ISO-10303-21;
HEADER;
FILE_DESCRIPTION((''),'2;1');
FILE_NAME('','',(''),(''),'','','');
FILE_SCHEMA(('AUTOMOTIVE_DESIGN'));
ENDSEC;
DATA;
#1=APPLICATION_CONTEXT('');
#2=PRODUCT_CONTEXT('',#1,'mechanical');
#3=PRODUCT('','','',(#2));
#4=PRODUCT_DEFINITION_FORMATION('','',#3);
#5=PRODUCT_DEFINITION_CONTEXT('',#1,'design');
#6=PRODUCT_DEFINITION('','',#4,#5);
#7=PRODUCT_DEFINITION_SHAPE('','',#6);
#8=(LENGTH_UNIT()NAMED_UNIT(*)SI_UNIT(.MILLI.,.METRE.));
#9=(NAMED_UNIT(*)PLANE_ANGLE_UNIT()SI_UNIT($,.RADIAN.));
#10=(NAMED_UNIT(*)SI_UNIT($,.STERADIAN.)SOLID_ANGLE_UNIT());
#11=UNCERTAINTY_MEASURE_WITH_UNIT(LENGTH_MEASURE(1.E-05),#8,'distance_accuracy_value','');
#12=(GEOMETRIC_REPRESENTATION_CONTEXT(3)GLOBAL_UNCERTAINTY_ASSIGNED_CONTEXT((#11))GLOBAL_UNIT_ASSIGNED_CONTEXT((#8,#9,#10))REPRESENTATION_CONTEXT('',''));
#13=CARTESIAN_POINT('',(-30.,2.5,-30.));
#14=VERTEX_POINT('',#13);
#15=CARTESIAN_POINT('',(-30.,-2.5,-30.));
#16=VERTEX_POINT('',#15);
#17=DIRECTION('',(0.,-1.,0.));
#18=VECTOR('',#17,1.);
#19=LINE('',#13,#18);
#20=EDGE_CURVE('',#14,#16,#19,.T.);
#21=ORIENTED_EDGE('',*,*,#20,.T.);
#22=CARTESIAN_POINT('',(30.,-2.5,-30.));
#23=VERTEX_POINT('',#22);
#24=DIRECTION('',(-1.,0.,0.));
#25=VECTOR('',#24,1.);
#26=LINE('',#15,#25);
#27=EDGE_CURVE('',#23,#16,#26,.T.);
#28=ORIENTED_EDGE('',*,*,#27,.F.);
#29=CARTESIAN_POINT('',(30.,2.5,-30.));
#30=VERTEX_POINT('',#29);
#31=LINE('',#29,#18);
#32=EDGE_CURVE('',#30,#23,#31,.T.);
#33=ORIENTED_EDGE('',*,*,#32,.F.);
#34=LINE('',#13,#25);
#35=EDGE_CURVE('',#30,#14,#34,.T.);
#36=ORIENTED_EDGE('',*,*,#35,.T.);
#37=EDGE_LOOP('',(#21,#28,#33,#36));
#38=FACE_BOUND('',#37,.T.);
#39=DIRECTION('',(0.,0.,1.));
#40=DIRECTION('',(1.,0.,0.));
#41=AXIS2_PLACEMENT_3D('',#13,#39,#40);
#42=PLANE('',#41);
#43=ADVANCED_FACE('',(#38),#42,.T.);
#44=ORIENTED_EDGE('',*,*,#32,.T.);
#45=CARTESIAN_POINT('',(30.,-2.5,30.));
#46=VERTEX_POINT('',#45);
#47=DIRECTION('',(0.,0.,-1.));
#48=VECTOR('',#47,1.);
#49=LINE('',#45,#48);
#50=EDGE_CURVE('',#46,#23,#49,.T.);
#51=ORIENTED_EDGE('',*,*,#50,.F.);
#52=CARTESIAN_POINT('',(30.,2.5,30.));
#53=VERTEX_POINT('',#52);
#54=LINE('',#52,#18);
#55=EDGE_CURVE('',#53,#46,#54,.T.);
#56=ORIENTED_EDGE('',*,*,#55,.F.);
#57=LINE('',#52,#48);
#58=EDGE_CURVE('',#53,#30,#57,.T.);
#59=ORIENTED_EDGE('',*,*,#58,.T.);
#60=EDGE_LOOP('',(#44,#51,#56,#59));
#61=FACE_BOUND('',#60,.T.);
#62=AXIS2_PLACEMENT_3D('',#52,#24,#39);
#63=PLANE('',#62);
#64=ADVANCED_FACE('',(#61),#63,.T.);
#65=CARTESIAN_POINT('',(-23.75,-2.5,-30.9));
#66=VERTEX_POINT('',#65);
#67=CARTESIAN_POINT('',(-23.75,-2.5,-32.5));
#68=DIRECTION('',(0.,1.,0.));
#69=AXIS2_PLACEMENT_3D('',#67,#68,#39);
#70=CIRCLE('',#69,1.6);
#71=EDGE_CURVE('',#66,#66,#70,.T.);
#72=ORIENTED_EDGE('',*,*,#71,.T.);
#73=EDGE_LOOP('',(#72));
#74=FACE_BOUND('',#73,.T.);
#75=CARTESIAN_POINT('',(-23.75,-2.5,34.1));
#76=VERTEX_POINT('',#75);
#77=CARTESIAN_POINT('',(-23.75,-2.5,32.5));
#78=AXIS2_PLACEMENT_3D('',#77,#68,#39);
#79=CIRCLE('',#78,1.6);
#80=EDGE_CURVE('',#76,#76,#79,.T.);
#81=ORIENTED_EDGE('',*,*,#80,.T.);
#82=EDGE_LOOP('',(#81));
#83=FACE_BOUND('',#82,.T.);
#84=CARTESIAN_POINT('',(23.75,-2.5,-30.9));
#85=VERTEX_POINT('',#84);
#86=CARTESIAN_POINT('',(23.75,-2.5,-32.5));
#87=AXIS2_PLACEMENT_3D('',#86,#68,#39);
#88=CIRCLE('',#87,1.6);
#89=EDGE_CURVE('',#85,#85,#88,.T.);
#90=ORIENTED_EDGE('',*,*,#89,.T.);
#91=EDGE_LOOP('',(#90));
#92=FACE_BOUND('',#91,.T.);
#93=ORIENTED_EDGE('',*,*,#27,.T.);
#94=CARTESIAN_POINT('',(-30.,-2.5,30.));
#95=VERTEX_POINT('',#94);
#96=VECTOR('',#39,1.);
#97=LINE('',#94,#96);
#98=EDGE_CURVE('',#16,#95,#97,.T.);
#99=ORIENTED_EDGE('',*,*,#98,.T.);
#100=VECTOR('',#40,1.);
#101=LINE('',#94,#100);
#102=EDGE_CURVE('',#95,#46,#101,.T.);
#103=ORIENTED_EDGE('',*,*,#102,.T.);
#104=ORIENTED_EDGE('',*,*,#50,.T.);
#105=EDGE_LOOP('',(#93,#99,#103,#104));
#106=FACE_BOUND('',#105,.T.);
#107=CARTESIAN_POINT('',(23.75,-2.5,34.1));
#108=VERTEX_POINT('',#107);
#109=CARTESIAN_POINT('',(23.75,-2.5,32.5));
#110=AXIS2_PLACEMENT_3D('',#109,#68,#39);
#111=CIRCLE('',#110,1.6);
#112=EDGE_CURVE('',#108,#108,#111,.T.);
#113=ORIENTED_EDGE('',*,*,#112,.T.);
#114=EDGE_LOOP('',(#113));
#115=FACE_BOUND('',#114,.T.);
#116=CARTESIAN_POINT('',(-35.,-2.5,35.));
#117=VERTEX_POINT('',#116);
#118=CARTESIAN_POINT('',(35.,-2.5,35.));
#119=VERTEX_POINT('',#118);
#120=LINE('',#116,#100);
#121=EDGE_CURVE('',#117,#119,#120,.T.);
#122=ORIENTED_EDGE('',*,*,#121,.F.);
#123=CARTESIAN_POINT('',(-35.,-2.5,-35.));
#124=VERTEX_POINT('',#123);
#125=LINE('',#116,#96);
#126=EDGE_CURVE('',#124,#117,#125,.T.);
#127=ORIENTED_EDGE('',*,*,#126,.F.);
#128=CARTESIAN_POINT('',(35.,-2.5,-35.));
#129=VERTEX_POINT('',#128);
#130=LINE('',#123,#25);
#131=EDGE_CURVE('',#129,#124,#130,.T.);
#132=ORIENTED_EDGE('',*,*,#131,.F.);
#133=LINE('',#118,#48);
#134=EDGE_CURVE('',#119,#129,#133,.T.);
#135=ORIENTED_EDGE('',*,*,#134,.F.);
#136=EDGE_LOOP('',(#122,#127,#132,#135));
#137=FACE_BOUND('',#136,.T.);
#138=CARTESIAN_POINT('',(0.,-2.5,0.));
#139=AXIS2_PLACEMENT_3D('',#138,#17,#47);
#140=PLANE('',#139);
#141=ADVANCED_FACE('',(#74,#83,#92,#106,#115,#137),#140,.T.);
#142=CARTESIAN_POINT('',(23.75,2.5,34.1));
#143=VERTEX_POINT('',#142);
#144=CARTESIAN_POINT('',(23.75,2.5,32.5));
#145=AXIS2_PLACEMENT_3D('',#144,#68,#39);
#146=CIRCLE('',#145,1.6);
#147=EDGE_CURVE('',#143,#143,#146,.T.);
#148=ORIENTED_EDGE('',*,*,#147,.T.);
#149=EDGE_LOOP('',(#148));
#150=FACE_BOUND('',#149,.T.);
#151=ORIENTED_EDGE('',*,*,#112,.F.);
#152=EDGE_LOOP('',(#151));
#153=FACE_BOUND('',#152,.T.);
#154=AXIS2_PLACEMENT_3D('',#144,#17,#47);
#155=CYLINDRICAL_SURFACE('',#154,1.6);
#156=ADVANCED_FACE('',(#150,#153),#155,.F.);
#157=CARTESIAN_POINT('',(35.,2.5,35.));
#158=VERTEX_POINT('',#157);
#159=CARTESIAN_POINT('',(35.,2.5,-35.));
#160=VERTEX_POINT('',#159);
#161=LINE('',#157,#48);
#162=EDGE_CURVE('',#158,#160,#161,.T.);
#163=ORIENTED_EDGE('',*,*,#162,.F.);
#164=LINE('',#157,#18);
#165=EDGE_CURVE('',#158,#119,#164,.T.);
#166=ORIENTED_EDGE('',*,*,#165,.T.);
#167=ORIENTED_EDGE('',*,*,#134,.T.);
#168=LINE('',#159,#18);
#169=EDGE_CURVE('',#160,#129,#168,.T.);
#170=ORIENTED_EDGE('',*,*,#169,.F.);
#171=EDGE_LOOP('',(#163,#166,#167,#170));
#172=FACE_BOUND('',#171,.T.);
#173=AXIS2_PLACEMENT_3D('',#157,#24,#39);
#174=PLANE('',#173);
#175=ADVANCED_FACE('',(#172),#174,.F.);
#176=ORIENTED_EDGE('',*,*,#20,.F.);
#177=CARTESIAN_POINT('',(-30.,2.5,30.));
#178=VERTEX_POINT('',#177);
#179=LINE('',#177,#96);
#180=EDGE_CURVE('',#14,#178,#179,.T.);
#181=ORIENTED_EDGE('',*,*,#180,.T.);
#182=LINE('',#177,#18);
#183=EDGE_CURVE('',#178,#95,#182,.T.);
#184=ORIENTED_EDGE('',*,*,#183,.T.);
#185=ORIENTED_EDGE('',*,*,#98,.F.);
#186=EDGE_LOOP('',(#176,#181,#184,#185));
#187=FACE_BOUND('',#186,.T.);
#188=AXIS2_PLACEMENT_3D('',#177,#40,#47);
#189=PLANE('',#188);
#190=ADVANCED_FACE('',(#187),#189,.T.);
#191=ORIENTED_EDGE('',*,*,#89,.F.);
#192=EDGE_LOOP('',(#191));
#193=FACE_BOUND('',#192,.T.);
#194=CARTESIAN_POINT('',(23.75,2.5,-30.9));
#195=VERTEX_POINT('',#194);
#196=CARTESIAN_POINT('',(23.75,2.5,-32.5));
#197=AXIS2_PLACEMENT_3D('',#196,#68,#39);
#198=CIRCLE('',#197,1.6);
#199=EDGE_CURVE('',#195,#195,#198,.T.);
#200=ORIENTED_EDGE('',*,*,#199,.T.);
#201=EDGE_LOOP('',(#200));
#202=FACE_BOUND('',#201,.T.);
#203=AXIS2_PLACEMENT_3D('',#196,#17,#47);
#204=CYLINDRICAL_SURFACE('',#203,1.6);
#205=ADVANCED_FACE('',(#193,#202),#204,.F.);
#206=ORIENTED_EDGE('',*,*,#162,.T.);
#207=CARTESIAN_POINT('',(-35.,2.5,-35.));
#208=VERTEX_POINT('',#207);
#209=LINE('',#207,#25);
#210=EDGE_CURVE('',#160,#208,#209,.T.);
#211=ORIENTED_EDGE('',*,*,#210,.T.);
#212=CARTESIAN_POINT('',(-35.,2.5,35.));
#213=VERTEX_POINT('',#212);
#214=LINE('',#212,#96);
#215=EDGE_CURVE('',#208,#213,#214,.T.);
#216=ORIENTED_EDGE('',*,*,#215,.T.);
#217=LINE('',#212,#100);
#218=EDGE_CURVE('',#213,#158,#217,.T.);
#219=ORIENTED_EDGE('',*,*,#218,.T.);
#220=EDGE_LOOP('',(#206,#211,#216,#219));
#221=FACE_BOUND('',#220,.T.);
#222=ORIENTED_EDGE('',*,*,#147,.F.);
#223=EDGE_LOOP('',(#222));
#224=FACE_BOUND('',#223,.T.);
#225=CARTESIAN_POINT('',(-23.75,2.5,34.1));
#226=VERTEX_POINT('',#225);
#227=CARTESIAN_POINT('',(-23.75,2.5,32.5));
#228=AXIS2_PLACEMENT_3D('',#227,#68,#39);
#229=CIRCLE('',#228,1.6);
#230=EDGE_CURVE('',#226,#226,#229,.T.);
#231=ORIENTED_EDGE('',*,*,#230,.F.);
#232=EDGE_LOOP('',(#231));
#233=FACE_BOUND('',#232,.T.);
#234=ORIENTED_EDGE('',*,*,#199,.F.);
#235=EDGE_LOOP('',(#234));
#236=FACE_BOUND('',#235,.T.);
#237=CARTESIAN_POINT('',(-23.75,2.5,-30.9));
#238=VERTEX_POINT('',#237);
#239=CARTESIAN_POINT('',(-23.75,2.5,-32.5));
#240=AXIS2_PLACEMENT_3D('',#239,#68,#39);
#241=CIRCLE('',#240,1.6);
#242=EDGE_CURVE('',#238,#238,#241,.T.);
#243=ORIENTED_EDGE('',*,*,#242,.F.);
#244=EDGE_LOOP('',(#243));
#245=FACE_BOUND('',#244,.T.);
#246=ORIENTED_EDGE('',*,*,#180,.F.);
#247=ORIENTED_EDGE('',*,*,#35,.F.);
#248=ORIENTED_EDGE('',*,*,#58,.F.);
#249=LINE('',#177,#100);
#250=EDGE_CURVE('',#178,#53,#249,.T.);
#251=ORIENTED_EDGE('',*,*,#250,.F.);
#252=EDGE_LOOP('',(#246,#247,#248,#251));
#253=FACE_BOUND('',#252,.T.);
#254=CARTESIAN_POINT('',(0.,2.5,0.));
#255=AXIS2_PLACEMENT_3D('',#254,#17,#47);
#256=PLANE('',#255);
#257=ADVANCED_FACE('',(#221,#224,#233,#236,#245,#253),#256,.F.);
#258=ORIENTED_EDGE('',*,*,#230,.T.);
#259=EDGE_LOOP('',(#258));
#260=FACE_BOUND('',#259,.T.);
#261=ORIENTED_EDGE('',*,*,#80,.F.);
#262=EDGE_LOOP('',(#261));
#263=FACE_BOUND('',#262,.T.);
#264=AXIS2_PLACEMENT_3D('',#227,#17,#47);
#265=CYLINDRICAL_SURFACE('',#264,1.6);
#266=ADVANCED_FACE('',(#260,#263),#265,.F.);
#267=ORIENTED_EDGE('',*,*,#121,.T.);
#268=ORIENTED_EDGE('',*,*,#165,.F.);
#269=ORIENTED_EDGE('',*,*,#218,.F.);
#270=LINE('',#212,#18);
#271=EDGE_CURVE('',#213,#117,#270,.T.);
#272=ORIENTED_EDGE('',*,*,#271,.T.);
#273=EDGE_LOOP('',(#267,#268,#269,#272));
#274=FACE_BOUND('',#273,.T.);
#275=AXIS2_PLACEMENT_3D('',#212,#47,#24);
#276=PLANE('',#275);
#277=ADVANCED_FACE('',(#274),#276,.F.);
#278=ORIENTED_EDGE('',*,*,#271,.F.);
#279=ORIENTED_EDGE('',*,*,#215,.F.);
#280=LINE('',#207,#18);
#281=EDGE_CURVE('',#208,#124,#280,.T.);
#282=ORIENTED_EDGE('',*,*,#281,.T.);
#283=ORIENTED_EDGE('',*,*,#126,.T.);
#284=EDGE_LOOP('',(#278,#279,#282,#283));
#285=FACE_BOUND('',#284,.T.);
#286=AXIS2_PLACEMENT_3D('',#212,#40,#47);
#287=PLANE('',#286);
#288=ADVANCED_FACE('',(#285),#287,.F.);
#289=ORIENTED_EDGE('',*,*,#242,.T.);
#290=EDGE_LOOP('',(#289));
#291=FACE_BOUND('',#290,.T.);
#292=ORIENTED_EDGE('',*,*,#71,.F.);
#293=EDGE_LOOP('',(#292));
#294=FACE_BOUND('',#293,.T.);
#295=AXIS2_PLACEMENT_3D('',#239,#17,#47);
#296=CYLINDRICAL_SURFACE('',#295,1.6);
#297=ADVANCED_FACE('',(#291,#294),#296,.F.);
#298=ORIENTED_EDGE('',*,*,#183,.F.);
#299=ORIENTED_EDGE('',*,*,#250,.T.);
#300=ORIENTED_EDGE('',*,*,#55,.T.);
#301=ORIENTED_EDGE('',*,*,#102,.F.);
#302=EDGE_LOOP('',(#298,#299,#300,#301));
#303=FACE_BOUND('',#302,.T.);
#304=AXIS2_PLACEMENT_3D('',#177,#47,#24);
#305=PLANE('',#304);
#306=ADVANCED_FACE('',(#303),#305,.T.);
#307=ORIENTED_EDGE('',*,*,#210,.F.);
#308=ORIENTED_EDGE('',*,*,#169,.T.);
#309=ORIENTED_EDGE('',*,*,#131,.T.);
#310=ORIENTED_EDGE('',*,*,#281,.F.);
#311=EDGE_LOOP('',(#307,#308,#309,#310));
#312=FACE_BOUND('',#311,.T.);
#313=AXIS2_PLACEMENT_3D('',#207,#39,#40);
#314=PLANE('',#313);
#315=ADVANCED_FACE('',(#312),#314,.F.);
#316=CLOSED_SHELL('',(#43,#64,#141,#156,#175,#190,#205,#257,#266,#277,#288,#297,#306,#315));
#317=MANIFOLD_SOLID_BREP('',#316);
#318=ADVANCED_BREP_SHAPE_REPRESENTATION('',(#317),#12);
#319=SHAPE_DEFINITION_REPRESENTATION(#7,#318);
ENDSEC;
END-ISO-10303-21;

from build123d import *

# Parameters (mm, degrees)
SKETCH1_W           = 70
SKETCH1_H           = 70
SKETCH1_R           = 1.6
SKETCH1_W_2         = 60
SKETCH1_H_2         = 60
BOSS_EXTRUDE1_DEPTH = 2.5


with BuildPart() as part:
    # Sketch1 → Boss-Extrude1 (new body, symmetric)
    with BuildSketch(Plane(origin=(0, 0, 0), x_dir=(1, 0, 0), z_dir=(0, 1, 0))):
        Rectangle(SKETCH1_W, SKETCH1_H)
        with Locations((-23.75, 32.5)):
            Circle(SKETCH1_R, mode=Mode.SUBTRACT)
        with Locations((23.75, 32.5)):
            Circle(SKETCH1_R, mode=Mode.SUBTRACT)
        with Locations((23.75, -32.5)):
            Circle(SKETCH1_R, mode=Mode.SUBTRACT)
        with Locations((-23.75, -32.5)):
            Circle(SKETCH1_R, mode=Mode.SUBTRACT)
        Rectangle(SKETCH1_W_2, SKETCH1_H_2, mode=Mode.SUBTRACT)
    extrude(amount=BOSS_EXTRUDE1_DEPTH, both=True)


solid = part.part
